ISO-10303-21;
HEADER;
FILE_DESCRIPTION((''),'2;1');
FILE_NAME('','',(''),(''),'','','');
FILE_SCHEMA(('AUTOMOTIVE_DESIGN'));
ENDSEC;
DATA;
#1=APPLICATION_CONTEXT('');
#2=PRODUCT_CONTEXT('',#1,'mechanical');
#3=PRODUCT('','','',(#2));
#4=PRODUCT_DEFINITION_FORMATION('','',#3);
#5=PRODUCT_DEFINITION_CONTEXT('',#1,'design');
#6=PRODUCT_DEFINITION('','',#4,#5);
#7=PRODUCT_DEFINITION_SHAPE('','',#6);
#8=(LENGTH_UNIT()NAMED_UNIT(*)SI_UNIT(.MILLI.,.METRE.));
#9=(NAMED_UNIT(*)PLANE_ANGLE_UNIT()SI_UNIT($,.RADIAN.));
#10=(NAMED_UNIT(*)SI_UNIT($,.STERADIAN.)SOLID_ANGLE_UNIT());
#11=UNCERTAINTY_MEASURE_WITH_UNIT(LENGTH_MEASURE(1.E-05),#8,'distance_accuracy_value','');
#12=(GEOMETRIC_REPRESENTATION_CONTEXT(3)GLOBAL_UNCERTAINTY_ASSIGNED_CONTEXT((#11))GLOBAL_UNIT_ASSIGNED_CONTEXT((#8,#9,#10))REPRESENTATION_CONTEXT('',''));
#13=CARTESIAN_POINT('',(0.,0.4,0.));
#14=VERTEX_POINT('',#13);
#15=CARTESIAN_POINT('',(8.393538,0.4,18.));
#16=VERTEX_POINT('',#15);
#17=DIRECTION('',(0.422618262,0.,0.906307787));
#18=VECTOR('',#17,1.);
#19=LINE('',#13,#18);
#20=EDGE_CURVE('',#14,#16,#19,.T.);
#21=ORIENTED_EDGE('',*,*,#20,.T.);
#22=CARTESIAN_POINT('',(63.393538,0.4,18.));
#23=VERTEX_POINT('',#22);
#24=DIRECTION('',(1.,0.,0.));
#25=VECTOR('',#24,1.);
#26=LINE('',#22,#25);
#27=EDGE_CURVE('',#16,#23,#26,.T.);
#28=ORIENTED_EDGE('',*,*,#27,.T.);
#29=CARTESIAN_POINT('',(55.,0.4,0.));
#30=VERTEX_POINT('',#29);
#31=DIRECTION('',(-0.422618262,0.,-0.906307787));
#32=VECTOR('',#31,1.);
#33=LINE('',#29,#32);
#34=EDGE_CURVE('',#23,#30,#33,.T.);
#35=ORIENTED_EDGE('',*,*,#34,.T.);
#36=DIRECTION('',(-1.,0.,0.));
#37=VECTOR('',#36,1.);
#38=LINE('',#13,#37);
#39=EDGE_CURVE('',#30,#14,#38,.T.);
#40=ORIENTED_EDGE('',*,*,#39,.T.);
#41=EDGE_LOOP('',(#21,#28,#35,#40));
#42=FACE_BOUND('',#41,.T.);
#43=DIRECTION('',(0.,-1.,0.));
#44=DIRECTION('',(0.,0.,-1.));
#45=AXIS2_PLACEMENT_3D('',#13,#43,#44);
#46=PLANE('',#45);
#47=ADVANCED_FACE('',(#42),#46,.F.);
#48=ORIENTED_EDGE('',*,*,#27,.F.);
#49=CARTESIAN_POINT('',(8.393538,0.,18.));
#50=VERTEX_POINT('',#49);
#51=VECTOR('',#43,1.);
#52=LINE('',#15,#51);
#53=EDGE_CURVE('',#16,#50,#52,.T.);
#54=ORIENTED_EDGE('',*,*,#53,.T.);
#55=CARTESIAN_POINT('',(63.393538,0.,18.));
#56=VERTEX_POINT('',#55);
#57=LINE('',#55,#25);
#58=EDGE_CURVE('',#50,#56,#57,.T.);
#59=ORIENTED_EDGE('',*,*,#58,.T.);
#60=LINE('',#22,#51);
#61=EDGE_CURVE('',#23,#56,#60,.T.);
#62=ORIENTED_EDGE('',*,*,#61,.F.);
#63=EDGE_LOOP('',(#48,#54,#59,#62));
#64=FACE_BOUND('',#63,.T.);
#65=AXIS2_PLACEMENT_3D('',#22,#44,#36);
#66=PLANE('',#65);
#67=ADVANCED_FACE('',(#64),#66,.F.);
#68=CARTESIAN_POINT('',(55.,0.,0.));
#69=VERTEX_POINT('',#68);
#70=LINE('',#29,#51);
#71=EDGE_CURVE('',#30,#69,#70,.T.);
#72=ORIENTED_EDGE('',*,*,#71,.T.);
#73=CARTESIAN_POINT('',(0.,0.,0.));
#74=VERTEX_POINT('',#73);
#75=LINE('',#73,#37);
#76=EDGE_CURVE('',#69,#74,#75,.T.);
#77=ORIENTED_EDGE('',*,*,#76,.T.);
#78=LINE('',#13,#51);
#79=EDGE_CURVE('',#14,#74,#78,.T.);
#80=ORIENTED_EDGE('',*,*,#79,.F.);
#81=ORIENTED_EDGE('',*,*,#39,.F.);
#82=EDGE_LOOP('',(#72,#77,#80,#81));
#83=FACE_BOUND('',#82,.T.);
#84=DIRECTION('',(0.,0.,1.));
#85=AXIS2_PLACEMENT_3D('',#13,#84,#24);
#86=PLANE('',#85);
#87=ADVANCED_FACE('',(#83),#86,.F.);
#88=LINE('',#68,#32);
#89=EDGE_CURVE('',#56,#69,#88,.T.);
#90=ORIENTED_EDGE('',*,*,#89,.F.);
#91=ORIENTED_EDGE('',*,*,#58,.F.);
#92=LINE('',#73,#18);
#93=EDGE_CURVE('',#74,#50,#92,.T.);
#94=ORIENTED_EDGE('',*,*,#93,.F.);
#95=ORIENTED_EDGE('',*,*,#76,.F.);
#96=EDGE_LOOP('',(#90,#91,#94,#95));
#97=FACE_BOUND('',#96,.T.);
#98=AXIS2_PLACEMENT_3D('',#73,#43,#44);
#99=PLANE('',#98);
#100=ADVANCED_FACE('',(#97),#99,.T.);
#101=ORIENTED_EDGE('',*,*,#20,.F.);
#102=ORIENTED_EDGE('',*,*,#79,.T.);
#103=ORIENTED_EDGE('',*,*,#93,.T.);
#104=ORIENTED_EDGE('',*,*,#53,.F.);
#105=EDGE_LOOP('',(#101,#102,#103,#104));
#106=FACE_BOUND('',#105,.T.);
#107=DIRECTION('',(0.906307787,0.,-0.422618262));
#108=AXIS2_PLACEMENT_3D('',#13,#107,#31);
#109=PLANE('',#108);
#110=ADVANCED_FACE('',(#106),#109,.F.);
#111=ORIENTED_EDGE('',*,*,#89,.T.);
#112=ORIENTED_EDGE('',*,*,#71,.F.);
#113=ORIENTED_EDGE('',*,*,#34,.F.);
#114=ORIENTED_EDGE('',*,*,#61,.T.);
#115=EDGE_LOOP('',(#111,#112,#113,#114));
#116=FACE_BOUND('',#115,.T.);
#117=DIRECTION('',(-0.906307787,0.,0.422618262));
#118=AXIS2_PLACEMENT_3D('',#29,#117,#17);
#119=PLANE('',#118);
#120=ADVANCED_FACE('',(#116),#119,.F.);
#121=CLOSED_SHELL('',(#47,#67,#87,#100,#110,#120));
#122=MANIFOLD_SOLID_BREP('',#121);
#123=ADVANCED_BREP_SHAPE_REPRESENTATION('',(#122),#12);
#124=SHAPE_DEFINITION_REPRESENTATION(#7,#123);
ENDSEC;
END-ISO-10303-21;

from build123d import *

# Parameters (mm, degrees)
BOSS_EXTRUDE1_DEPTH = 0.4


with BuildPart() as part:
    # Sketch1 → Boss-Extrude1 (new body)
    with BuildSketch(Plane(origin=(0, 0, 0), x_dir=(1, 0, 0), z_dir=(0, 1, 0))):
        Polygon((0, 0), (55, 0), (63.393537847, -18), (8.393537847, -18), align=None)
    extrude(amount=BOSS_EXTRUDE1_DEPTH)


solid = part.part
